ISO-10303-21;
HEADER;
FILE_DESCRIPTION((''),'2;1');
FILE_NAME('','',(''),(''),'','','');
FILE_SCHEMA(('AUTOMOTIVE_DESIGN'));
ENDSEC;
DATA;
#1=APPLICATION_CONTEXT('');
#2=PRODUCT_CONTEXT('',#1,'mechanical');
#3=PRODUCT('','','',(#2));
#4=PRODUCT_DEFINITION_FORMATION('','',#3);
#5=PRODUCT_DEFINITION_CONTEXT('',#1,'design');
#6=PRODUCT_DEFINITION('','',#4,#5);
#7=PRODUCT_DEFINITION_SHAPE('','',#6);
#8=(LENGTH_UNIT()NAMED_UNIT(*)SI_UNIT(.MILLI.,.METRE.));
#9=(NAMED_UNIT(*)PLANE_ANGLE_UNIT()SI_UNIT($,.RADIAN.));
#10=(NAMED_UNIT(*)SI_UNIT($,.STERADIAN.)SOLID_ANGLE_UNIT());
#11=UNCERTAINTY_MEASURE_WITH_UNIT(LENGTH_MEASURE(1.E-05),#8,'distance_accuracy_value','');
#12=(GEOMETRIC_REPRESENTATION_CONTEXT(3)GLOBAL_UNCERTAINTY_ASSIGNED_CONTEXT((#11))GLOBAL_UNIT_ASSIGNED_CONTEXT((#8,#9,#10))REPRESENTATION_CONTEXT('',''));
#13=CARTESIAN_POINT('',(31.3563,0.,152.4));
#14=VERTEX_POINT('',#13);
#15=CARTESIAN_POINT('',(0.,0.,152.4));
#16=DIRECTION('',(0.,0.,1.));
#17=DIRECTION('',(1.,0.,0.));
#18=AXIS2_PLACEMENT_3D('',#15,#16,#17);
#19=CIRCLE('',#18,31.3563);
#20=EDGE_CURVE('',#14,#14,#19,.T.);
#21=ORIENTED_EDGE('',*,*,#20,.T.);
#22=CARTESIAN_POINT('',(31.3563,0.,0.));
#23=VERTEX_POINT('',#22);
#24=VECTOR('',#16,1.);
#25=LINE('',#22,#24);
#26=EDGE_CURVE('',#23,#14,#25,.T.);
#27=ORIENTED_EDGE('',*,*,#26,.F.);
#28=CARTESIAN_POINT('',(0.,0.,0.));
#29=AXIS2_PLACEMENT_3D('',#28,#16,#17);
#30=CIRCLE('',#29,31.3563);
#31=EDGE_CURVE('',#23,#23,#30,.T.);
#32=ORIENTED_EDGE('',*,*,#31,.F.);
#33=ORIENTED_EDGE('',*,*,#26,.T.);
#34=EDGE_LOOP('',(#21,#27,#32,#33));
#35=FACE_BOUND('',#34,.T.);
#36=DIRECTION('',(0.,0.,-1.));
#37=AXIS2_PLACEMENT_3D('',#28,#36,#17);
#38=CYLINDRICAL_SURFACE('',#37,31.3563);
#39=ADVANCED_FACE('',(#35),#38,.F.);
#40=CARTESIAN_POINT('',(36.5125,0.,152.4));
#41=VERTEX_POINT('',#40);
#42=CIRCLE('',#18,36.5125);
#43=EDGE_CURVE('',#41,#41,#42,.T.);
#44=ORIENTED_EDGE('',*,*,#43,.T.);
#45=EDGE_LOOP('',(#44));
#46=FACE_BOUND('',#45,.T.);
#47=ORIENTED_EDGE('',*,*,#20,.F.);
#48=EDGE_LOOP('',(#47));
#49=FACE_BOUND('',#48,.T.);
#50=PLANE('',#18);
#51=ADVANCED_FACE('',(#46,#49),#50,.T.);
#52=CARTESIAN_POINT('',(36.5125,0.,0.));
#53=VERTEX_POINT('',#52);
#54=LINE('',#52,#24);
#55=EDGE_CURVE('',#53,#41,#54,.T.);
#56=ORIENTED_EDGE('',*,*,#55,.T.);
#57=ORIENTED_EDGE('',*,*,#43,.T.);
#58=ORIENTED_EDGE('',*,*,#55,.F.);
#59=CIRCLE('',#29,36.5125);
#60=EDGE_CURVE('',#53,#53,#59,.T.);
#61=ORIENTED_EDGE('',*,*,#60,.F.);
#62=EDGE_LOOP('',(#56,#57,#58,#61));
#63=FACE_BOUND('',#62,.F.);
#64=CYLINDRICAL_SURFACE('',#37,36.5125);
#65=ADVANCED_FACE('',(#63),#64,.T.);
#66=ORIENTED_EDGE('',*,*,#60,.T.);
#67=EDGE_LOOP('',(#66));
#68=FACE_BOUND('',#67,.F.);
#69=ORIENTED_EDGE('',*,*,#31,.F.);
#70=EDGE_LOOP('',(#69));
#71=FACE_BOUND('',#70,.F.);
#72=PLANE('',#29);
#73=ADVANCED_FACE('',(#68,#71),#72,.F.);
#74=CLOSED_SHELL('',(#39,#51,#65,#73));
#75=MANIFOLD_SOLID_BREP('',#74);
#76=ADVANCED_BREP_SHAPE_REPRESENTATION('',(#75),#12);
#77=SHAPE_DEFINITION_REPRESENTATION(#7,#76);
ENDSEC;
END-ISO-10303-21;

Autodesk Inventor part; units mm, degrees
ref_plane "YZ Plane" through (0, 0, 0) normal (1, 0, 0) x (0, 1, 0)
ref_plane "XZ Plane" through (0, 0, 0) normal (0, 1, 0) x (-1, 0, 0)
ref_plane "XY Plane" through (0, 0, 0) normal (0, 0, 1) x (1, 0, 0)
sketch "Sketch1" plane through (0, 0, 0) normal (0, 0, 1) x (1, 0, 0)
  circle A0 centre (0, 0) radius 36.5125
  circle A1 centre (0, 0) radius 31.3563
  dimension "d0" = 73.025
  dimension "d1" = 62.7126
extrude "Extrusion1" add sketch "Sketch1" along normal blind 152.4
properties part number "A1-18002-100-27 2.25in bar tube end" material "PVC-Piping"
